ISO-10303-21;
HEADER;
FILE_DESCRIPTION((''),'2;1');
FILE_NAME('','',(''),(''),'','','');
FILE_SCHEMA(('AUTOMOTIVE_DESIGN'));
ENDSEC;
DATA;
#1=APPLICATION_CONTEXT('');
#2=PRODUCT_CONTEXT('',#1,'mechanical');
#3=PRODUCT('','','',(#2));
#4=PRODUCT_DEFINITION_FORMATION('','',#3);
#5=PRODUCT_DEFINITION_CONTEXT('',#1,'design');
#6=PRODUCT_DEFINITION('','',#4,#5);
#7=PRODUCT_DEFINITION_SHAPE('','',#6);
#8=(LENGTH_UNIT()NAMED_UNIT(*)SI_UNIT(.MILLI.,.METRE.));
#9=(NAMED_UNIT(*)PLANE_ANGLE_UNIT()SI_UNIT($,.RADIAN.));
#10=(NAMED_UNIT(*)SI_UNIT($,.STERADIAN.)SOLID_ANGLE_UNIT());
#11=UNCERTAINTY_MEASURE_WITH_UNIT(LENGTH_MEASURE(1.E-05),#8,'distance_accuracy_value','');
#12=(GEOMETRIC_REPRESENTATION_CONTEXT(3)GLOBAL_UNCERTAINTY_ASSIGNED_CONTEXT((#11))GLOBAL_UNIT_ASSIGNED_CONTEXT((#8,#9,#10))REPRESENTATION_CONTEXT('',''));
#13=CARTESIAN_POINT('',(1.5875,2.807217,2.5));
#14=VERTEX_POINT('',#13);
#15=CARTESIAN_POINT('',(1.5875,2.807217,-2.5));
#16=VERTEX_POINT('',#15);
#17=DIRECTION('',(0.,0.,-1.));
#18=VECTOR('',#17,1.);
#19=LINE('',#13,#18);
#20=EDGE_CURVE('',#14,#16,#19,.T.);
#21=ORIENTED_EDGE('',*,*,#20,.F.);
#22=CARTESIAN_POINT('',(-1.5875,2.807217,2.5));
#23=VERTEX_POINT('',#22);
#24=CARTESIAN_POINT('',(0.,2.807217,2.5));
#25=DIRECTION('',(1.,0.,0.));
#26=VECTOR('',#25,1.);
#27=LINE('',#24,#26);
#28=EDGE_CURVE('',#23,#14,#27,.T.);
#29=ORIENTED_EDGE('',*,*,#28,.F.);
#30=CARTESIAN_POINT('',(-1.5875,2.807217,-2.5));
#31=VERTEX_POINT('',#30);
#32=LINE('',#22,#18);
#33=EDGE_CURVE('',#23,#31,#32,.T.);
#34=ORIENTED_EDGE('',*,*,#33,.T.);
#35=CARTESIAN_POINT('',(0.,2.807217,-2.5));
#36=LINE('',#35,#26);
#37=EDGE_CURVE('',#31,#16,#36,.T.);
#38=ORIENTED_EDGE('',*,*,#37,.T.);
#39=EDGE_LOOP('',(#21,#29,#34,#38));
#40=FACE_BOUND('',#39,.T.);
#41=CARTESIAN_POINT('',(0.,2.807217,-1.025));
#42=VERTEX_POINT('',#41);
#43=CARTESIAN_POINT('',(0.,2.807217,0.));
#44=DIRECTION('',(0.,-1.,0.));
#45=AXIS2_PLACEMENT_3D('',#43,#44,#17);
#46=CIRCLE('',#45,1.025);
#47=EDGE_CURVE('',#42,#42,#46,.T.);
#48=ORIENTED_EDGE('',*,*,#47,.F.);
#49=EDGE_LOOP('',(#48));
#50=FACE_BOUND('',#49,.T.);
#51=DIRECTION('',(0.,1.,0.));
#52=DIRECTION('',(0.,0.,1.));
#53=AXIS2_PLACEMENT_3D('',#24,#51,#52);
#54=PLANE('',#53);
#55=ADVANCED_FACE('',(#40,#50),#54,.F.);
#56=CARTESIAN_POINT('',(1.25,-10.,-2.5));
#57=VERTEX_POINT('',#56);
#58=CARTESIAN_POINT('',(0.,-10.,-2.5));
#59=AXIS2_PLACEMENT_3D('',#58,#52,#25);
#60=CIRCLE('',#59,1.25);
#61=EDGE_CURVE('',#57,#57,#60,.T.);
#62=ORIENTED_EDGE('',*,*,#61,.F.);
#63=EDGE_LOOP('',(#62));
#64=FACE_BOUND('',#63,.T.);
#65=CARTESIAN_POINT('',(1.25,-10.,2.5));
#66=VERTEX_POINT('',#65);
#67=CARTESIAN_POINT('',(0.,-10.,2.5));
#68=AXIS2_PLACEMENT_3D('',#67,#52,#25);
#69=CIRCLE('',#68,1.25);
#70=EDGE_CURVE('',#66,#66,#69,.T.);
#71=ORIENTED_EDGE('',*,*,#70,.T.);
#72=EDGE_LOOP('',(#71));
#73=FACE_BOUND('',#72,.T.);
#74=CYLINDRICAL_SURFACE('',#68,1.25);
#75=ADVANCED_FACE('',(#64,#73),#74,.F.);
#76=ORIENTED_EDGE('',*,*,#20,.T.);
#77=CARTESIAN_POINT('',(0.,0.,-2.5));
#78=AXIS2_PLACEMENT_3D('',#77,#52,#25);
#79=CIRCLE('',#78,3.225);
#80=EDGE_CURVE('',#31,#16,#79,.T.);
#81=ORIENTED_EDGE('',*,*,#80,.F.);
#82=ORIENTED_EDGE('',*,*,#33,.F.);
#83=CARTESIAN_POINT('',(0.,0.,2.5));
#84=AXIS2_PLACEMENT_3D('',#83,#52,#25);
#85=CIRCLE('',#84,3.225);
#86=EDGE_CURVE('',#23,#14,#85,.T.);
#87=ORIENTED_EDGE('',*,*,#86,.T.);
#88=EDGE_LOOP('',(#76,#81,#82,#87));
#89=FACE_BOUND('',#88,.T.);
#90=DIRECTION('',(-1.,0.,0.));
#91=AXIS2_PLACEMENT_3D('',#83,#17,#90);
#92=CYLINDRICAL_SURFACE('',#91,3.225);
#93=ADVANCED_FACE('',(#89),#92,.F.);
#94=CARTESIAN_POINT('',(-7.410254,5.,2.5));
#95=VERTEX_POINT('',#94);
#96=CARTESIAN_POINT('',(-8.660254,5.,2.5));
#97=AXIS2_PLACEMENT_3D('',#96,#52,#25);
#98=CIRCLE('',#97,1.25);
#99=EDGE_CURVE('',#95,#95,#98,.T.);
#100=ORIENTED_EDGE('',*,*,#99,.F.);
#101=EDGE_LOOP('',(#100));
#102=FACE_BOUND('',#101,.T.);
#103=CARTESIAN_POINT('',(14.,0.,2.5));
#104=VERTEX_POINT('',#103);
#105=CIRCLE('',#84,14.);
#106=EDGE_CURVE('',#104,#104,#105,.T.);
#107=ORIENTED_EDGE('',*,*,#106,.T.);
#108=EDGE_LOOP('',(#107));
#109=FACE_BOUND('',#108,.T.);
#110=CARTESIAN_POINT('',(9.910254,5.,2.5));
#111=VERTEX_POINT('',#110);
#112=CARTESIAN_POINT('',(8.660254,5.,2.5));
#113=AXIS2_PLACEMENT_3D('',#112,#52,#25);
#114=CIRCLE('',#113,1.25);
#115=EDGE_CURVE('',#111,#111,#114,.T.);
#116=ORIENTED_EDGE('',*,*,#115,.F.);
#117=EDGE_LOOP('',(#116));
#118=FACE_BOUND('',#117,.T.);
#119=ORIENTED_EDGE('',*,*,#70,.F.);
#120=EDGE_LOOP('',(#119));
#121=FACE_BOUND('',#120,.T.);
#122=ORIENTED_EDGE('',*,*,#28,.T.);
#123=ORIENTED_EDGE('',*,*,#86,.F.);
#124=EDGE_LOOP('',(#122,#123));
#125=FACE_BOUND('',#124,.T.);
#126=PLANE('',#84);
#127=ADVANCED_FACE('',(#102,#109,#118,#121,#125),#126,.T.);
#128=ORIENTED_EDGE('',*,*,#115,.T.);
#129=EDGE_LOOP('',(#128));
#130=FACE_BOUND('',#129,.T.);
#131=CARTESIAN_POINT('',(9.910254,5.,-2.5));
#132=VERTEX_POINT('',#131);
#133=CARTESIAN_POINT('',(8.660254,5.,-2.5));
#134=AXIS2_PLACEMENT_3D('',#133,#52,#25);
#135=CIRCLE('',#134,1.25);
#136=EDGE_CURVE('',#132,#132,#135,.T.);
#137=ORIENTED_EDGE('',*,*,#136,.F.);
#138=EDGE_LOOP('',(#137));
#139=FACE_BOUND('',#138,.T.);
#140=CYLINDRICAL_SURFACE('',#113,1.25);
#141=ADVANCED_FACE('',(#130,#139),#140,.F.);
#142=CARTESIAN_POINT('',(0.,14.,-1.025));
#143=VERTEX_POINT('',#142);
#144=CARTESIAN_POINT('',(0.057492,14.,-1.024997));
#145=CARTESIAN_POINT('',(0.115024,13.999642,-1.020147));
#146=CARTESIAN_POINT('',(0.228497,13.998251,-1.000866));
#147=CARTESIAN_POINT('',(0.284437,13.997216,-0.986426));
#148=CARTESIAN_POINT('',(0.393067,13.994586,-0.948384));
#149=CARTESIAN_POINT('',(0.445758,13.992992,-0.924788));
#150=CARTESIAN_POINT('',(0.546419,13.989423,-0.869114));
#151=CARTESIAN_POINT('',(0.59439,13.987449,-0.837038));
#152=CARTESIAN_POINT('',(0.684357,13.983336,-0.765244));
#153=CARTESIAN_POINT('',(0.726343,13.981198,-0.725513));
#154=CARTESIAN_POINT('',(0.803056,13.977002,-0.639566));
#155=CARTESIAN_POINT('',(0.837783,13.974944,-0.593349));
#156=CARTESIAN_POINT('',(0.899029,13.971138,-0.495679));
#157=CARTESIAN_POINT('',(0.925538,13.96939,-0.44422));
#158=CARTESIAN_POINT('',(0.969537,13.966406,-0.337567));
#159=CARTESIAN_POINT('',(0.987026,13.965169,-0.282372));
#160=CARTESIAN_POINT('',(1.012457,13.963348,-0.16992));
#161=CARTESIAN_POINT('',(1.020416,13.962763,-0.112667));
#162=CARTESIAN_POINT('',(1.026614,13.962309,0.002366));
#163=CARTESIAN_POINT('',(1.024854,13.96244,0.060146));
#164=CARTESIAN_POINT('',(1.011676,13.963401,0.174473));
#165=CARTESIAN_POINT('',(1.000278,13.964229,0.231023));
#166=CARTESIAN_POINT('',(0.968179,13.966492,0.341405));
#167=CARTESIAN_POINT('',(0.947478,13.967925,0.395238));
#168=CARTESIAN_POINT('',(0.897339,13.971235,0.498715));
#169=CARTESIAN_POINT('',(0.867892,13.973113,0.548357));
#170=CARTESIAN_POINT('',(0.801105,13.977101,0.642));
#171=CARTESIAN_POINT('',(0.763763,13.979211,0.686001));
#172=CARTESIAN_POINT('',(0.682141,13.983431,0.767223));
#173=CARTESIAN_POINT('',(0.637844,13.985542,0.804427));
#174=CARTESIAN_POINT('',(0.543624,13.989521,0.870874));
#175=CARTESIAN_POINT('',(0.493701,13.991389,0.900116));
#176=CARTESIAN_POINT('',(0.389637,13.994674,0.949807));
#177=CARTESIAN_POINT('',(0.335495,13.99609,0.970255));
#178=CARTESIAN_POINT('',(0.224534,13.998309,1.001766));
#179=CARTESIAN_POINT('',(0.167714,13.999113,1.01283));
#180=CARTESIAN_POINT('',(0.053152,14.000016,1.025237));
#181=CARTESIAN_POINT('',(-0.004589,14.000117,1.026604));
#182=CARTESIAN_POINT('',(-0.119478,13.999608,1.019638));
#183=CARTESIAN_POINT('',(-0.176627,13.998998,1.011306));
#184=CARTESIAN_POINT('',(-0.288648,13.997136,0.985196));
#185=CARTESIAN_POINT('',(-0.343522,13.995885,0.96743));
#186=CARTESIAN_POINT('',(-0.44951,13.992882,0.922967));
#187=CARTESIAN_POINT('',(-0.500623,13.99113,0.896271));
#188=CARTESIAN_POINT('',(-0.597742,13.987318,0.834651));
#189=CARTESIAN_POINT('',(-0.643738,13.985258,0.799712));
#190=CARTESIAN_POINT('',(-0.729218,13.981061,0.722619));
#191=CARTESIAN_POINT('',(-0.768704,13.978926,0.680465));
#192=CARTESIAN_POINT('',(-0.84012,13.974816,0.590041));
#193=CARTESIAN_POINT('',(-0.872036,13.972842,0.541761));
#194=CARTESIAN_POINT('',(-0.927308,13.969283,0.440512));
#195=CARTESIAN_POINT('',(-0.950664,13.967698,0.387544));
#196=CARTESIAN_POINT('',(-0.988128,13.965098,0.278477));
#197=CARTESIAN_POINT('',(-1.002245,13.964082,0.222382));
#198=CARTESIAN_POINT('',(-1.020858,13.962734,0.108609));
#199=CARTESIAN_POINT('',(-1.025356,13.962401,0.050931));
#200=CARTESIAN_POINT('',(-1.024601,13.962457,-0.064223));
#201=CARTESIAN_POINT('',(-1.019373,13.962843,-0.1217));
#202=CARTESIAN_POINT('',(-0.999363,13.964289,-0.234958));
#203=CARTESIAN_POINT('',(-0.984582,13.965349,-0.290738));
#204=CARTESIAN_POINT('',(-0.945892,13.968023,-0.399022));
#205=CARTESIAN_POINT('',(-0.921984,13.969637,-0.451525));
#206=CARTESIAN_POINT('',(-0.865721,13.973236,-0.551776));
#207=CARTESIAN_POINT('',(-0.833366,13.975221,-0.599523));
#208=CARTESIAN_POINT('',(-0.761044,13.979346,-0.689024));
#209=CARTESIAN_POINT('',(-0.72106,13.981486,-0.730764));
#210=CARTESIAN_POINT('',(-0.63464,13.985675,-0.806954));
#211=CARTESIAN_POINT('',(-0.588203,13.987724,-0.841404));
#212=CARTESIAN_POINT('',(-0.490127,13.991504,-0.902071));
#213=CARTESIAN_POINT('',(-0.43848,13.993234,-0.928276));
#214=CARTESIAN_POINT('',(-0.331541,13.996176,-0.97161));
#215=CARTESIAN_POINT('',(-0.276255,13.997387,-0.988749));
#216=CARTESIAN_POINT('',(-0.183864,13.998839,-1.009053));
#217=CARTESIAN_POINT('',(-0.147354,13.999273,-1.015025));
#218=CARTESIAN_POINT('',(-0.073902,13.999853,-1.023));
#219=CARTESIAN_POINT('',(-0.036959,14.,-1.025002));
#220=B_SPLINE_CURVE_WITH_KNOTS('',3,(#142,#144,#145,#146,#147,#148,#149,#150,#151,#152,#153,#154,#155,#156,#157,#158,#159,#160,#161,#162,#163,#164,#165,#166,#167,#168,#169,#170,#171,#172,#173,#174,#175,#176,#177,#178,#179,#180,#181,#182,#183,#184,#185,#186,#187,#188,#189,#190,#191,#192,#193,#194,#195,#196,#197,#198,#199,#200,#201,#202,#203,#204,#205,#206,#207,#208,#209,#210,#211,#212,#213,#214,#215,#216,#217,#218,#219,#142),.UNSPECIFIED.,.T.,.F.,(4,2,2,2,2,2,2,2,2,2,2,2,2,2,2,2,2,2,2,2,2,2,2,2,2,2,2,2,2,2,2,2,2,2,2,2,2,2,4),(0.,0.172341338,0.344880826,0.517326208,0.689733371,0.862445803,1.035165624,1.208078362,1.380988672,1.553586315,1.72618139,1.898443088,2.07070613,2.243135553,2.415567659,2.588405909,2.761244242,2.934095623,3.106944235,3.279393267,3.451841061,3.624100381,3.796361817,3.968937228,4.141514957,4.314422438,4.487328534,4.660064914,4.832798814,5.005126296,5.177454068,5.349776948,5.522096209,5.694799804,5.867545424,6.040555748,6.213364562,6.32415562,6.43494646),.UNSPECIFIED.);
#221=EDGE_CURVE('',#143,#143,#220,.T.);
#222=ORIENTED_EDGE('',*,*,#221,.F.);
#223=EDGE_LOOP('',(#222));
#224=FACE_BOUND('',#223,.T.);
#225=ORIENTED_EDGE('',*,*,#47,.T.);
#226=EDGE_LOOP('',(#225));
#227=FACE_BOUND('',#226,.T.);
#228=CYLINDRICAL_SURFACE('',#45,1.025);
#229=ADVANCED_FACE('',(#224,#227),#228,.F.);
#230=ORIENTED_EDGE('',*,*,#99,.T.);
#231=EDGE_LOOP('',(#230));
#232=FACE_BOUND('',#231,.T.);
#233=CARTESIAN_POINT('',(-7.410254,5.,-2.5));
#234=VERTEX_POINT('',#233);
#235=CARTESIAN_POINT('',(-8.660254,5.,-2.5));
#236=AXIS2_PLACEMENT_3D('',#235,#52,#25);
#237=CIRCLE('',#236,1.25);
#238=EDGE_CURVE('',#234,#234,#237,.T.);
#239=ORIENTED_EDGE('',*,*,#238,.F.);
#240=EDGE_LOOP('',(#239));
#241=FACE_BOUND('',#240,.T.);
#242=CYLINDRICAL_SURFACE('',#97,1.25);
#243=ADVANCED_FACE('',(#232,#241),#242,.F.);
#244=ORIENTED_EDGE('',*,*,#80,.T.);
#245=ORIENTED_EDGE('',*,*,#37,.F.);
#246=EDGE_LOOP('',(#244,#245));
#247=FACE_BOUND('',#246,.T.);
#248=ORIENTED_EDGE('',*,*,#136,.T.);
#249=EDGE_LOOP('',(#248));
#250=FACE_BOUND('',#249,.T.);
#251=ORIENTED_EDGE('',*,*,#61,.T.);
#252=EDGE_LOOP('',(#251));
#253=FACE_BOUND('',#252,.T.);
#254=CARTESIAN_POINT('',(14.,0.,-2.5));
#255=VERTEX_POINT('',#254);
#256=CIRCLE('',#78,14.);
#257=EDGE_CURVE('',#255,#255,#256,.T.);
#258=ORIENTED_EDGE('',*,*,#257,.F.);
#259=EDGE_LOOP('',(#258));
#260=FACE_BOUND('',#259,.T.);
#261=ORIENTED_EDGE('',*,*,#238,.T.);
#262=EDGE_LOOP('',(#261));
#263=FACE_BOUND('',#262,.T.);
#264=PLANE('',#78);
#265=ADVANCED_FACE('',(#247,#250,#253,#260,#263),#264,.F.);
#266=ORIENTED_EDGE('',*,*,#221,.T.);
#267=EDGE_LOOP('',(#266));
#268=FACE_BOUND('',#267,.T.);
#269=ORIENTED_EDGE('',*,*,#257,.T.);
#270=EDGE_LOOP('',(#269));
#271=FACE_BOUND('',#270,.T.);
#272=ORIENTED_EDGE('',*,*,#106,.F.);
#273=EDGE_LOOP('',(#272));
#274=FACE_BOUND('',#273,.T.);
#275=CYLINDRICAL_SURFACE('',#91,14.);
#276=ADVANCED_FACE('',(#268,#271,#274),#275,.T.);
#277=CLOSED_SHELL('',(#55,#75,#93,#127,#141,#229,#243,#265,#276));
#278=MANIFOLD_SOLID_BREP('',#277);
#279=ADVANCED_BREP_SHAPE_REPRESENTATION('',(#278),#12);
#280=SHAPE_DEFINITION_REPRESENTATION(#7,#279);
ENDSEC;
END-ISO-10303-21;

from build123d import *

# Parameters (mm, degrees)
SKETCH1_R              = 14
BOSS_EXTRUDE1_DEPTH    = 2.5
M2_5_CLEARANCE_HOLE2_D = 2.5
CIRPATTERN1_COUNT      = 3
SKETCH7_W              = 1.025
SKETCH7_H              = 11.192782739


with BuildPart() as part:
    # Sketch1 → Boss-Extrude1 (new body, symmetric)
    with BuildSketch(Plane.XY):
        Circle(SKETCH1_R)
        with BuildLine():
            Line((-1.5875, 2.807217261), (1.5875, 2.807217261))
            ThreePointArc((1.5875, 2.807217261), (0, -3.225), (-1.5875, 2.807217261))
        make_face(mode=Mode.SUBTRACT)
    extrude(amount=BOSS_EXTRUDE1_DEPTH, both=True)

    # M2.5 Clearance Hole2 (through all)
    with Locations(Plane.XY.offset(2.5)):
        with Locations((0, -10)):
            m2_5_clearance_hole2 = Hole(M2_5_CLEARANCE_HOLE2_D / 2)

    # CirPattern1: M2.5 Clearance Hole2 ×3 about axis
    cirpattern1_axis = Axis((0, 0, 0), (0, 0, 1))
    for i in range(1, CIRPATTERN1_COUNT):
        add(m2_5_clearance_hole2.rotate(cirpattern1_axis, i * 360 / CIRPATTERN1_COUNT), mode=Mode.SUBTRACT)

    # Sketch7 → M2.5x0.45 Tapped Hole1 (revolve, cut)
    with BuildSketch(Plane(origin=(0, 2.807217261, 0), x_dir=(0, 0, -1), z_dir=(1, 0, 0))):
        with Locations((0.5125, 5.59639137)):
            Rectangle(SKETCH7_W, SKETCH7_H)
    revolve(axis=Axis((0, -3.542782739, 0), (0, 1, 0)), mode=Mode.SUBTRACT)


solid = part.part
